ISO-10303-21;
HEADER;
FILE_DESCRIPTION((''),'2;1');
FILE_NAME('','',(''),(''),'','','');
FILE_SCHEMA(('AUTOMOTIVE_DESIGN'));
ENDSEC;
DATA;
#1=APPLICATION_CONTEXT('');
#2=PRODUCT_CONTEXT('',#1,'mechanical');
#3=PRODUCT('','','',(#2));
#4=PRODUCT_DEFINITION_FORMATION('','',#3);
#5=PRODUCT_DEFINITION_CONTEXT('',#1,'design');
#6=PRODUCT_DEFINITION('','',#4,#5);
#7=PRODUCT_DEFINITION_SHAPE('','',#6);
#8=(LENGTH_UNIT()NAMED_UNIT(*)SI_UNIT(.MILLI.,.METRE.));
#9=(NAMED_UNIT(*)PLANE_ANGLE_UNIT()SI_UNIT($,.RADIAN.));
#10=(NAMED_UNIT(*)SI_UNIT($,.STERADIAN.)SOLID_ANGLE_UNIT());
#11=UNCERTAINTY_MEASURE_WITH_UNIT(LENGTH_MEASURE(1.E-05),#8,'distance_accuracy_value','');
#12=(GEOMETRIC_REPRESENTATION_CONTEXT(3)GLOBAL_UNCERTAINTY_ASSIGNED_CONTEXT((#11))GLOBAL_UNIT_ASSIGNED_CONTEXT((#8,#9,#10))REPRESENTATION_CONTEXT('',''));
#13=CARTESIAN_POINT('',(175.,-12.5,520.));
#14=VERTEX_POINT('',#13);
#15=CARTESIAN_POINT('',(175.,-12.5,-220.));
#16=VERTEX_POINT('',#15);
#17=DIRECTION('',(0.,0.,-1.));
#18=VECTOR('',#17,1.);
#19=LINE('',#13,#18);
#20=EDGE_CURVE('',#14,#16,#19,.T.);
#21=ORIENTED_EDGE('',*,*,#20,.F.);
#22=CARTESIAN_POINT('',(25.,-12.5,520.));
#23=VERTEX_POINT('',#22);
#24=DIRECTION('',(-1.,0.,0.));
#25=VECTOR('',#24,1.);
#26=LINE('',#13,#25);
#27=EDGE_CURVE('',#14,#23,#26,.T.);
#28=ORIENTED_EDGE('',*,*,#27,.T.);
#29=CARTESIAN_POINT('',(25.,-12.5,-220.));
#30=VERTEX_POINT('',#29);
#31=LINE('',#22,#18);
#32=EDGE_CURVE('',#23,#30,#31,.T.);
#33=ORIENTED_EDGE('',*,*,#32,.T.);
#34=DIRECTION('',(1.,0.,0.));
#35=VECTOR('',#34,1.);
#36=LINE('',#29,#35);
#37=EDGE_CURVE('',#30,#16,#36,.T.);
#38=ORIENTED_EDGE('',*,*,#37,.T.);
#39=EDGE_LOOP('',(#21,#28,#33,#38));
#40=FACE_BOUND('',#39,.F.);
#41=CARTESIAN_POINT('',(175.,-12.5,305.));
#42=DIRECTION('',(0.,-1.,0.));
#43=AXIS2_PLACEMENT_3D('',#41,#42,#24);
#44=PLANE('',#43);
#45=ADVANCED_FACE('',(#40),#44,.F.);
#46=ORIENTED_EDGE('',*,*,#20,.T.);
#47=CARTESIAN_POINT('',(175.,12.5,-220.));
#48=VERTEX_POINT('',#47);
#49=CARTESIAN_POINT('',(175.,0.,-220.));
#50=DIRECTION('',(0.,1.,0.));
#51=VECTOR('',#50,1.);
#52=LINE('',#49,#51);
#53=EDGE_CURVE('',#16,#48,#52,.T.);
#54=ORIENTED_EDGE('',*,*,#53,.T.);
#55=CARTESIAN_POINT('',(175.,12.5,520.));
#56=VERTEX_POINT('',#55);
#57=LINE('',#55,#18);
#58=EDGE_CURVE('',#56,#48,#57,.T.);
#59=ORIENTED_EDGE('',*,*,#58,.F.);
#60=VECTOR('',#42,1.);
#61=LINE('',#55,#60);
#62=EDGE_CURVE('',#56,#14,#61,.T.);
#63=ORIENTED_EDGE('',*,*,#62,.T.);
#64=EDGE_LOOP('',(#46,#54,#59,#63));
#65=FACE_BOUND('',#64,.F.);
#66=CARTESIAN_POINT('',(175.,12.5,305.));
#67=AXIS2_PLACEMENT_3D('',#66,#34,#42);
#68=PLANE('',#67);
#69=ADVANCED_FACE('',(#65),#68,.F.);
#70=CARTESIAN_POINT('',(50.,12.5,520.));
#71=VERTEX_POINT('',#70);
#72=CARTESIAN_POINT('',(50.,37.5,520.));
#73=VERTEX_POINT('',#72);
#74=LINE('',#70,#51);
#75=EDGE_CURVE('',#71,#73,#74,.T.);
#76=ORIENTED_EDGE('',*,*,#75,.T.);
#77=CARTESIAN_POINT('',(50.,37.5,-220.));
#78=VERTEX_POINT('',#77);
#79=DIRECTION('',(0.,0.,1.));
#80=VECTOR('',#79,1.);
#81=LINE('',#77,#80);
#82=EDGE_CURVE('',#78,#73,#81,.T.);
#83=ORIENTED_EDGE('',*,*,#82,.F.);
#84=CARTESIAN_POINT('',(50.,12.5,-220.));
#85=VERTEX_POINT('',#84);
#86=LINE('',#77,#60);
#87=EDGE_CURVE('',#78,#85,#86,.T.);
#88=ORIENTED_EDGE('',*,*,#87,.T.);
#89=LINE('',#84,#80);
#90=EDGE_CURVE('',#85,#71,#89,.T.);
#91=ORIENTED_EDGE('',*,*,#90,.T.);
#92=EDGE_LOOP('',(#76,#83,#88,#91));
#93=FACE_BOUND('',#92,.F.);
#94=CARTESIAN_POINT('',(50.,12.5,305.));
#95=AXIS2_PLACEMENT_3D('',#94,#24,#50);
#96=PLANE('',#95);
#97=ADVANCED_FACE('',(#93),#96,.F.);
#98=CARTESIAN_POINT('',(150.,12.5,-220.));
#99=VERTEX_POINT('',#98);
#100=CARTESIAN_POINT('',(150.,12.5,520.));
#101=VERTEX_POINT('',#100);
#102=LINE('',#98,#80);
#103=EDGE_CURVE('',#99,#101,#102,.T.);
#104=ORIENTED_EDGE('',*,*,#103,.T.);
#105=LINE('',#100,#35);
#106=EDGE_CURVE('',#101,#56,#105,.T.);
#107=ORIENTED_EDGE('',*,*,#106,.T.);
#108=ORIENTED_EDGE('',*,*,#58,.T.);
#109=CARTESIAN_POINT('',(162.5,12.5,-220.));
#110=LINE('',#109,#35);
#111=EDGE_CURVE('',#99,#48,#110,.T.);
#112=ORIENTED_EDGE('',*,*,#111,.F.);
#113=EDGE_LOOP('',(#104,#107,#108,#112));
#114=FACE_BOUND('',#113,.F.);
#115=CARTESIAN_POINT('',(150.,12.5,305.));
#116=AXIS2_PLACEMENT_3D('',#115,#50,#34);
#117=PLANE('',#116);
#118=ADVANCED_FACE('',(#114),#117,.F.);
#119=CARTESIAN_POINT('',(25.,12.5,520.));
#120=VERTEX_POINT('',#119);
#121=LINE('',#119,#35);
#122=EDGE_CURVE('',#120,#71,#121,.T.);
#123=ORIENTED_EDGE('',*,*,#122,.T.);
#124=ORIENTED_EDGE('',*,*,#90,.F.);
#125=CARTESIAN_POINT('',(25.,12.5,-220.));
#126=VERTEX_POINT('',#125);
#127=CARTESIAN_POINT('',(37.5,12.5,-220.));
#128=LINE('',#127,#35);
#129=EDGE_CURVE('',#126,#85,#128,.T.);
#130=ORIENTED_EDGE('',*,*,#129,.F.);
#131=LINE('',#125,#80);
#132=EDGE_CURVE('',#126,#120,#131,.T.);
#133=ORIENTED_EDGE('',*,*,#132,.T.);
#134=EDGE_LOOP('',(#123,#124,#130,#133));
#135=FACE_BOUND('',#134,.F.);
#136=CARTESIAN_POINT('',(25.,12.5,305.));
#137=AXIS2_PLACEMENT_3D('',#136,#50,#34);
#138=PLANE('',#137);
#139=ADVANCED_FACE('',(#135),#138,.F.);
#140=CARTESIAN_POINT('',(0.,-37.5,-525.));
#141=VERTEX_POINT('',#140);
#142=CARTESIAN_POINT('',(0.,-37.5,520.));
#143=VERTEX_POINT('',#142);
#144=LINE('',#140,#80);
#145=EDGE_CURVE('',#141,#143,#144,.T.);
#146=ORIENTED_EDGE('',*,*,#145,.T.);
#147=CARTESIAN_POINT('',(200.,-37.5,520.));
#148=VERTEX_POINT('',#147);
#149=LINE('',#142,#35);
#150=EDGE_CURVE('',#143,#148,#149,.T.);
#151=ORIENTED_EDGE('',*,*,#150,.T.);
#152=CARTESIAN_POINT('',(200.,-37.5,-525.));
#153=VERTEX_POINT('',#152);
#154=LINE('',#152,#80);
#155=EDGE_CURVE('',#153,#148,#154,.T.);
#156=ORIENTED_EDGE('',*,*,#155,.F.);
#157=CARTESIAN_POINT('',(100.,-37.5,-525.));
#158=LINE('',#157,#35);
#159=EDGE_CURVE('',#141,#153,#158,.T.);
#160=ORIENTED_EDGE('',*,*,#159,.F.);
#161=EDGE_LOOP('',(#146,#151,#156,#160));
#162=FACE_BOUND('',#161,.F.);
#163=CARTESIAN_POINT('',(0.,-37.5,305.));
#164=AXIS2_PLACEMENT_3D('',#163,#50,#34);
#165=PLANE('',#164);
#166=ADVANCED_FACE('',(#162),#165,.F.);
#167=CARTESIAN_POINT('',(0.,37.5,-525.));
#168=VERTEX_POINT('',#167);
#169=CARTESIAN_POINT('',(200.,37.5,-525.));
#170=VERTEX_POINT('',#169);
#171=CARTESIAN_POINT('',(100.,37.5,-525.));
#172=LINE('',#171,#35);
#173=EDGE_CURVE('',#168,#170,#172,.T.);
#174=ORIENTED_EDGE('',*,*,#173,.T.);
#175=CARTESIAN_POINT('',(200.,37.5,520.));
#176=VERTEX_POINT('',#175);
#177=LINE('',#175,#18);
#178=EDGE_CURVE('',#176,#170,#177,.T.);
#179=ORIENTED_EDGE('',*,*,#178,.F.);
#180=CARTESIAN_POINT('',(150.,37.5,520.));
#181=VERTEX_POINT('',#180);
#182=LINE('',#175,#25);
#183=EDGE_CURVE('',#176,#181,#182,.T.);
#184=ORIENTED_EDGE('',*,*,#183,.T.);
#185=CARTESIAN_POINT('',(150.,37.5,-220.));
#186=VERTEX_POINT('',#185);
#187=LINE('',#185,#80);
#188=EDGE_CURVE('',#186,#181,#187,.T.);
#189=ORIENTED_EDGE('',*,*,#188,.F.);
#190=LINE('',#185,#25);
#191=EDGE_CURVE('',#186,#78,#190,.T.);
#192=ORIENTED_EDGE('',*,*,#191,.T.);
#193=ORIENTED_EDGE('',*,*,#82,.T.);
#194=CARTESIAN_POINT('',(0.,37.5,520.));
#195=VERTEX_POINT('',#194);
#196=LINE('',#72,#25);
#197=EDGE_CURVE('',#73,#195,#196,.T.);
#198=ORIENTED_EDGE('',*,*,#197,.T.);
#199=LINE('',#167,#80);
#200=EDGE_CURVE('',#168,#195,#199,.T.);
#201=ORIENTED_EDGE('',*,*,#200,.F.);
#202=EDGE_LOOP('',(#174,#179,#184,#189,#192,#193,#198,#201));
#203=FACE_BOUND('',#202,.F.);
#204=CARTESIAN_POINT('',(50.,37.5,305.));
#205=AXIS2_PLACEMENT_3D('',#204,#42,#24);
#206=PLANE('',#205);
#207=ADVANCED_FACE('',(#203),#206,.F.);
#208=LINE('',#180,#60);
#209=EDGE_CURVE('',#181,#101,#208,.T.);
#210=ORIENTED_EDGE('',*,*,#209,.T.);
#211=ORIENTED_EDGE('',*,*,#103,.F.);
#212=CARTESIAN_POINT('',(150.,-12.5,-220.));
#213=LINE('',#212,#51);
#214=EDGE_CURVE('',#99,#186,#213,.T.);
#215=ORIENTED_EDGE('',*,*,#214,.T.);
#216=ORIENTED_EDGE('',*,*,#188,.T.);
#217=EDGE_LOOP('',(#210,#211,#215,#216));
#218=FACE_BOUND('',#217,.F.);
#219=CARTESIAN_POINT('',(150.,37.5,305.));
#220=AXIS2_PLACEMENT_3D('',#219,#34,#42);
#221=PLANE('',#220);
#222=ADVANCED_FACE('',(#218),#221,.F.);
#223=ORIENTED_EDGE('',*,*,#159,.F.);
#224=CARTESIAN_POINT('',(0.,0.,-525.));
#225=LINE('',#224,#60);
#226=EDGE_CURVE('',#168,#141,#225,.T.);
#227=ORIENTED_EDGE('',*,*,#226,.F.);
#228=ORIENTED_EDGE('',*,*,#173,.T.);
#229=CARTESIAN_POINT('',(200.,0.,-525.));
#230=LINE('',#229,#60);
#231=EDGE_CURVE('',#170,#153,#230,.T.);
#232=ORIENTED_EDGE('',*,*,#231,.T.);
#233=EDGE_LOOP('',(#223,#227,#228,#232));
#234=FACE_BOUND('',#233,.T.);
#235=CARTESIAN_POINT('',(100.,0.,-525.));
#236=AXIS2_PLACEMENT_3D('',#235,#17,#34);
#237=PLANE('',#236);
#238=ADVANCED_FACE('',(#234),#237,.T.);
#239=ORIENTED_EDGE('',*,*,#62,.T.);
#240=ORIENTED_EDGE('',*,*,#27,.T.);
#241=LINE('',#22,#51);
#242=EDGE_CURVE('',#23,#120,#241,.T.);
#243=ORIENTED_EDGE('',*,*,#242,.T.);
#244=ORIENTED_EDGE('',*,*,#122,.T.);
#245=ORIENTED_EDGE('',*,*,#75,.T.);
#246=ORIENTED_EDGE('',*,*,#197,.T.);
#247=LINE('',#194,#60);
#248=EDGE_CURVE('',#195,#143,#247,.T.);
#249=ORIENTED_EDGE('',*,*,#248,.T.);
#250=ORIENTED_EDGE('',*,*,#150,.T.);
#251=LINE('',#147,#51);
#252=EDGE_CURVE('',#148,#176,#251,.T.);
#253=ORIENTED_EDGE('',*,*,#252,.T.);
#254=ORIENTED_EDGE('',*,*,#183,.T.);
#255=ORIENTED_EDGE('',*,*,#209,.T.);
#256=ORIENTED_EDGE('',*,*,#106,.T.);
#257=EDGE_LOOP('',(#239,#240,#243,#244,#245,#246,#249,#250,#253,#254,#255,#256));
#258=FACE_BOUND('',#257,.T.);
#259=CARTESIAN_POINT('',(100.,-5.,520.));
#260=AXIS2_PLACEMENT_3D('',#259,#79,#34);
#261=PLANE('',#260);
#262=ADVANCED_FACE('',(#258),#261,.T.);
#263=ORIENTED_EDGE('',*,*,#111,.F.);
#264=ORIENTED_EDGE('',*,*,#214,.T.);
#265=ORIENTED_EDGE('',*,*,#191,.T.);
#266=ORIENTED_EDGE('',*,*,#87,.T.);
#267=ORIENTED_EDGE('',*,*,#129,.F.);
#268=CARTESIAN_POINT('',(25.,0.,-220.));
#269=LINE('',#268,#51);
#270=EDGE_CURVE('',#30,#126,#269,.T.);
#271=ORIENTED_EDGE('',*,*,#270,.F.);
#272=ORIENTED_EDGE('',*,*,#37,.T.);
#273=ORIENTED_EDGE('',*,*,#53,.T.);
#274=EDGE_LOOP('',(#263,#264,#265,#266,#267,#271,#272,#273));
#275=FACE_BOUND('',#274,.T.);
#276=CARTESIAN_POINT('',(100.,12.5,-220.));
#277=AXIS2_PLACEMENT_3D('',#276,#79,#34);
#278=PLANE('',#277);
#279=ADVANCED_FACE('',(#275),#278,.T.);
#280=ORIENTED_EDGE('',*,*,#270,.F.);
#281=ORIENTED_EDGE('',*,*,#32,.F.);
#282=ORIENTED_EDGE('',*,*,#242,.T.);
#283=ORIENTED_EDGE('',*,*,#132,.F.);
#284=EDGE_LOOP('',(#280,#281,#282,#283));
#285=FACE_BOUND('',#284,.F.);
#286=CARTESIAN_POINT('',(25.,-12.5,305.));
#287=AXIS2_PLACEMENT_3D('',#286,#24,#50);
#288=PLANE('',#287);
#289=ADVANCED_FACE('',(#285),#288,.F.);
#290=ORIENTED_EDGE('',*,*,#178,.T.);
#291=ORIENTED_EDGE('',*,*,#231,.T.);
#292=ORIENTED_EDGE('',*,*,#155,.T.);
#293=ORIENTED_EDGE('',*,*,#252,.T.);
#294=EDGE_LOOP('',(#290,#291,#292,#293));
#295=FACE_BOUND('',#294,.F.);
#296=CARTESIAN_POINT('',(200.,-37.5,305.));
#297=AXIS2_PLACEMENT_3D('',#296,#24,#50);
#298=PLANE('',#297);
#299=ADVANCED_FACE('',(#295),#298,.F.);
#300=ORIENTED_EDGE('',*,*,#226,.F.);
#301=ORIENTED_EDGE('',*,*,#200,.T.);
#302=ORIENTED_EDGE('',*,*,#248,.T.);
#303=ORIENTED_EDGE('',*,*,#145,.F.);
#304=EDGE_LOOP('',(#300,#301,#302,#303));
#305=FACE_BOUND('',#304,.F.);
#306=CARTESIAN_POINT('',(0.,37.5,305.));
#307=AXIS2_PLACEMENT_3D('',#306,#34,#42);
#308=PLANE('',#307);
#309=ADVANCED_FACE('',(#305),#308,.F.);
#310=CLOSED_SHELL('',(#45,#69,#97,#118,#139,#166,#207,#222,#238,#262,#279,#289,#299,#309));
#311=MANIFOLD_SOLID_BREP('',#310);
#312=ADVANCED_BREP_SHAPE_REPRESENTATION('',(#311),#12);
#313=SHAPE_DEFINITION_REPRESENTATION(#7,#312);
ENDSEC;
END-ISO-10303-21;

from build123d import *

# Parameters (mm, degrees)
F0_W     = 75
F0_H     = 610
F1_DEPTH = 200
F2_W     = 25
F2_H     = 25
F3_DEPTH = 525
F4_W     = 200
F4_H     = 75
F5_DEPTH = 220
F7_DEPTH = 215


with BuildPart() as f1:
    # F0 (on Right) → F1 (new body)
    with BuildSketch(Plane.YZ):
        Rectangle(F0_W, F0_H)
    extrude(amount=F1_DEPTH)

    # F2 (on face) → F3 (cut)
    with BuildSketch(Plane.XY.offset(305)):
        Polygon((150, 37.5), (50, 37.5), (50, 12.5), (50, -12.5), (150, -12.5), (150, 12.5), align=None)
        with Locations((37.5, 0)):
            Rectangle(F2_W, F2_H)
        with Locations((162.5, 0)):
            Rectangle(F2_W, F2_H)
    extrude(amount=-F3_DEPTH, mode=Mode.SUBTRACT)

    # F4 (on face) → F5 (join)
    with BuildSketch(Plane(origin=(0, 0, -305), x_dir=(1, 0, 0), z_dir=(0, 0, -1))):
        with Locations((100, 0)):
            Rectangle(F4_W, F4_H)
    extrude(amount=F5_DEPTH)

    # F6 (on face) → F7 (join)
    with BuildSketch(Plane.XY.offset(305)):
        Polygon((25, -12.5), (25, 12.5), (50, 12.5), (50, 37.5), (0, 37.5), (0, -37.5), (200, -37.5), (200, 37.5), (150, 37.5), (150, 12.5), (175, 12.5), (175, -12.5), align=None)
    extrude(amount=F7_DEPTH)


solid = f1.part
